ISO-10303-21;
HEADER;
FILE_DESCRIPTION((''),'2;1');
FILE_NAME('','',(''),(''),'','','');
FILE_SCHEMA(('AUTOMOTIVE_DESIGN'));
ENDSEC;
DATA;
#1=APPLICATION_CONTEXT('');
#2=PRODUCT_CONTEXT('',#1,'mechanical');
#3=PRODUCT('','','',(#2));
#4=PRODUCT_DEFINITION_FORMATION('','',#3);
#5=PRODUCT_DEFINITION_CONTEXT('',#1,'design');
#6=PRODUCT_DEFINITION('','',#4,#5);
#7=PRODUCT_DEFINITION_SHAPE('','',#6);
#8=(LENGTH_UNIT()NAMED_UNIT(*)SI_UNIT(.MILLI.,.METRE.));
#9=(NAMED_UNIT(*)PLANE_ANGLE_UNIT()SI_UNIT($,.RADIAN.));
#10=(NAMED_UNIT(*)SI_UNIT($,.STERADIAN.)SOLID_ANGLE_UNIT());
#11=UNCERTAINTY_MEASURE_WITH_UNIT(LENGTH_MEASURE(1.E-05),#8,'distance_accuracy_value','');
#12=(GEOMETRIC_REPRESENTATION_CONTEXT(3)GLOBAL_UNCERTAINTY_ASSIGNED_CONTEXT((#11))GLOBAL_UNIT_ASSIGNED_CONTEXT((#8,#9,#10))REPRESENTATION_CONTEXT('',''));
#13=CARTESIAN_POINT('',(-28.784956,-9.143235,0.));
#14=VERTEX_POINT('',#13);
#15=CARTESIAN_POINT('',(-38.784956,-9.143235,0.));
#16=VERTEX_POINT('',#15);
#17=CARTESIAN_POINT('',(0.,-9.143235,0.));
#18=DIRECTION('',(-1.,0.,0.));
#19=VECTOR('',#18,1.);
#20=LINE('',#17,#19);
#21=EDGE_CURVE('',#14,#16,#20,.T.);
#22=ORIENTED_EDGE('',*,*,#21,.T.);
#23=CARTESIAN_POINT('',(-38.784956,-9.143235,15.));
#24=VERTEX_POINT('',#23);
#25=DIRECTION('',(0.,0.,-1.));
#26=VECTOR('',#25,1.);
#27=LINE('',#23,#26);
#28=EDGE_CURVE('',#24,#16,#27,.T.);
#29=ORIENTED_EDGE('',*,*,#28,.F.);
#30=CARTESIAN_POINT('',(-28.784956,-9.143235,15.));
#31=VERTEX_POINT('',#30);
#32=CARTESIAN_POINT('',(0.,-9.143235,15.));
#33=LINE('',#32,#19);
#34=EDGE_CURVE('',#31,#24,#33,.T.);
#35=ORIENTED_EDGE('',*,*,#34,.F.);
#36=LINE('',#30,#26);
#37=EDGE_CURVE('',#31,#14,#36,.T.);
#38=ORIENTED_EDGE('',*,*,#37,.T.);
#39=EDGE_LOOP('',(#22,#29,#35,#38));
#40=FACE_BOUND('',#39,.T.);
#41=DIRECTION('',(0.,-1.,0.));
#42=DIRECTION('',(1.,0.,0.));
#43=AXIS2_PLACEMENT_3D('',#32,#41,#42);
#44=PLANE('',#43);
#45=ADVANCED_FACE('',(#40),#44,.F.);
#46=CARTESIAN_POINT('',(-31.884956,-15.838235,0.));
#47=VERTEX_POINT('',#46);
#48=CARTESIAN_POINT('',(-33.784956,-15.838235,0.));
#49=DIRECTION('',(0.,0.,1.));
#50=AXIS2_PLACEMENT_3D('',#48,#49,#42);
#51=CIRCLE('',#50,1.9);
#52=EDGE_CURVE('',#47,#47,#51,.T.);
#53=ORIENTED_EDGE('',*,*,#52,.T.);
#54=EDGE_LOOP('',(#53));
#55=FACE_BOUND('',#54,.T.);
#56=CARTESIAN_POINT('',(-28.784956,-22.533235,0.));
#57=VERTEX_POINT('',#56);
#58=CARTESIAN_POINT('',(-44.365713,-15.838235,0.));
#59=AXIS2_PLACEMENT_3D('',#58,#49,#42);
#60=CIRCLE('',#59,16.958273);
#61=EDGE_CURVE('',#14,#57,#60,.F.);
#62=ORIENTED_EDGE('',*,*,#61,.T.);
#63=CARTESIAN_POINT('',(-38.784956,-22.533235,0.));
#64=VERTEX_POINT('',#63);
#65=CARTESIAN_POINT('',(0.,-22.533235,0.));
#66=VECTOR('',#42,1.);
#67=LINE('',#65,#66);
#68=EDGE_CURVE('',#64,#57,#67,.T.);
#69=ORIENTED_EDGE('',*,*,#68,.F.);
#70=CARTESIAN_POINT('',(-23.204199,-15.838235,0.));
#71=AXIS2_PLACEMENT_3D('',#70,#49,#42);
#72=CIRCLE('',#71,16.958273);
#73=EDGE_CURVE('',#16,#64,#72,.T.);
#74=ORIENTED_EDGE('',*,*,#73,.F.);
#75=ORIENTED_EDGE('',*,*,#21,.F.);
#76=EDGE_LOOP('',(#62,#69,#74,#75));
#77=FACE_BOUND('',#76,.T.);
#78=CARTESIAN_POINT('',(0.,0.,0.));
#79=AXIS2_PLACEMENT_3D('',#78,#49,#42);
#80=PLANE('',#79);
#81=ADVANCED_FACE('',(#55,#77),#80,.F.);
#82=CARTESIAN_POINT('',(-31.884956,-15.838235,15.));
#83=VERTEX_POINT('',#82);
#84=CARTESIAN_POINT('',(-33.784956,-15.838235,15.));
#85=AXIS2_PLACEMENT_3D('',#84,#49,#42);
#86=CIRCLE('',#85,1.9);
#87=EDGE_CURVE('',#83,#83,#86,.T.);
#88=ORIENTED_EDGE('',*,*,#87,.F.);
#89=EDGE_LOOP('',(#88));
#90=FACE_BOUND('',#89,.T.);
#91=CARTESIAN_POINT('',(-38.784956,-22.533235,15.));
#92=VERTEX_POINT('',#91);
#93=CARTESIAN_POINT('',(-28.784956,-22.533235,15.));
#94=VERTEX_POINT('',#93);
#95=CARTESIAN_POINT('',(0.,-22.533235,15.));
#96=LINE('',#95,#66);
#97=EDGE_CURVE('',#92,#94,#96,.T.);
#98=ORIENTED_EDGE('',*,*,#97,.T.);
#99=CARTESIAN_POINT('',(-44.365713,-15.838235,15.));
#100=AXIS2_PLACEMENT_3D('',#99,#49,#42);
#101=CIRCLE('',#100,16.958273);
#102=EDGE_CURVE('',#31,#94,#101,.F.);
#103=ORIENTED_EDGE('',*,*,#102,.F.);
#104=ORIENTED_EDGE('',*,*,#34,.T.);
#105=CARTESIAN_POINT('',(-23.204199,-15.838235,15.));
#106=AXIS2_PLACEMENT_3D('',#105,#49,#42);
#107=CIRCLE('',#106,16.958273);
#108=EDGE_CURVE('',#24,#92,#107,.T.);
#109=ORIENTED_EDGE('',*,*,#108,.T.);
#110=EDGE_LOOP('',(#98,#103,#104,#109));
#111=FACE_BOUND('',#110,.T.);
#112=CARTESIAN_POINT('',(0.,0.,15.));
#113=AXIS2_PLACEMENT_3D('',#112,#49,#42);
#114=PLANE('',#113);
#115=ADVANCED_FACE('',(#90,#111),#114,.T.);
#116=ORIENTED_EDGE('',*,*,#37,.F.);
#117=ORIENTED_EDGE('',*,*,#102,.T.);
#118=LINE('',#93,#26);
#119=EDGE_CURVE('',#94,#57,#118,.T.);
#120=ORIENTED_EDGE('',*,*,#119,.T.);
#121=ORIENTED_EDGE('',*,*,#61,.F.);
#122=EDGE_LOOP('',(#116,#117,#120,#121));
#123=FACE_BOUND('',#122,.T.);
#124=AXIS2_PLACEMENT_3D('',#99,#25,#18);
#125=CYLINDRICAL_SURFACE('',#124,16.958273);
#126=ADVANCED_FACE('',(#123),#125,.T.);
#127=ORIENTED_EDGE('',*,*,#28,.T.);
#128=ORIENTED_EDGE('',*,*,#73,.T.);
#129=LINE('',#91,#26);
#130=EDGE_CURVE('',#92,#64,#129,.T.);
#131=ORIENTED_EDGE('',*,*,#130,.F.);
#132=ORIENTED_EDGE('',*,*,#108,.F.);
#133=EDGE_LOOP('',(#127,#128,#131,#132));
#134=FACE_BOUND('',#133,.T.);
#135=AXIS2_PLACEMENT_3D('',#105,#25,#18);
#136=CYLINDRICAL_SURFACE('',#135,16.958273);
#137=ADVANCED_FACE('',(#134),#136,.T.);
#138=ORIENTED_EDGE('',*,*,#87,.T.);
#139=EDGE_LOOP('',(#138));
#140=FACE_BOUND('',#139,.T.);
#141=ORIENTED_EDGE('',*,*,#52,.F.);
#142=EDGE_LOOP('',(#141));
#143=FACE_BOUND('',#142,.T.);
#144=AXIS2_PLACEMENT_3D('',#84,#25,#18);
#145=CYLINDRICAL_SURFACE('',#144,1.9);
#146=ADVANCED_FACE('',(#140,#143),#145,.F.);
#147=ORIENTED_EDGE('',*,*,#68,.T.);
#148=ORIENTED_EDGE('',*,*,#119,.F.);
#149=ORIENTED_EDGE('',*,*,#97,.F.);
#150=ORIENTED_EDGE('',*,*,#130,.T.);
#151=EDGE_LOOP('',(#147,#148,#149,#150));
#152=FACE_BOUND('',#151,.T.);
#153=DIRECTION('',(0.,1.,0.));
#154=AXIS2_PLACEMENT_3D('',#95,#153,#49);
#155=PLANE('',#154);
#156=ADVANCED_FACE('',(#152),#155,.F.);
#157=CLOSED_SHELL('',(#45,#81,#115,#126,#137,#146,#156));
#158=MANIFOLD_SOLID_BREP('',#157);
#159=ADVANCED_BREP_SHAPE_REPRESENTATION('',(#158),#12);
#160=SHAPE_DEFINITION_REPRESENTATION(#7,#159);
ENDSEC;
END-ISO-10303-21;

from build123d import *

# Parameters (mm, degrees)
CROQUIS1_R              = 1.9
SALIENTE_EXTRUIR2_DEPTH = 15


with BuildPart() as part:
    # Croquis1 → Saliente-Extruir2 (new body)
    with BuildSketch(Plane.XY):
        with BuildLine():
            ThreePointArc((-28.784956102, -9.143234849), (-27.407440411, -15.838234849), (-28.784956102, -22.533234849))
            Line((-28.784956102, -22.533234849), (-38.784956102, -22.533234849))
            ThreePointArc((-38.784956102, -22.533234849), (-40.162471794, -15.838234849), (-38.784956102, -9.143234849))
            Line((-38.784956102, -9.143234849), (-28.784956102, -9.143234849))
        make_face()
        with Locations((-33.784956102, -15.838234849)):
            Circle(CROQUIS1_R, mode=Mode.SUBTRACT)
    extrude(amount=SALIENTE_EXTRUIR2_DEPTH)


solid = part.part
